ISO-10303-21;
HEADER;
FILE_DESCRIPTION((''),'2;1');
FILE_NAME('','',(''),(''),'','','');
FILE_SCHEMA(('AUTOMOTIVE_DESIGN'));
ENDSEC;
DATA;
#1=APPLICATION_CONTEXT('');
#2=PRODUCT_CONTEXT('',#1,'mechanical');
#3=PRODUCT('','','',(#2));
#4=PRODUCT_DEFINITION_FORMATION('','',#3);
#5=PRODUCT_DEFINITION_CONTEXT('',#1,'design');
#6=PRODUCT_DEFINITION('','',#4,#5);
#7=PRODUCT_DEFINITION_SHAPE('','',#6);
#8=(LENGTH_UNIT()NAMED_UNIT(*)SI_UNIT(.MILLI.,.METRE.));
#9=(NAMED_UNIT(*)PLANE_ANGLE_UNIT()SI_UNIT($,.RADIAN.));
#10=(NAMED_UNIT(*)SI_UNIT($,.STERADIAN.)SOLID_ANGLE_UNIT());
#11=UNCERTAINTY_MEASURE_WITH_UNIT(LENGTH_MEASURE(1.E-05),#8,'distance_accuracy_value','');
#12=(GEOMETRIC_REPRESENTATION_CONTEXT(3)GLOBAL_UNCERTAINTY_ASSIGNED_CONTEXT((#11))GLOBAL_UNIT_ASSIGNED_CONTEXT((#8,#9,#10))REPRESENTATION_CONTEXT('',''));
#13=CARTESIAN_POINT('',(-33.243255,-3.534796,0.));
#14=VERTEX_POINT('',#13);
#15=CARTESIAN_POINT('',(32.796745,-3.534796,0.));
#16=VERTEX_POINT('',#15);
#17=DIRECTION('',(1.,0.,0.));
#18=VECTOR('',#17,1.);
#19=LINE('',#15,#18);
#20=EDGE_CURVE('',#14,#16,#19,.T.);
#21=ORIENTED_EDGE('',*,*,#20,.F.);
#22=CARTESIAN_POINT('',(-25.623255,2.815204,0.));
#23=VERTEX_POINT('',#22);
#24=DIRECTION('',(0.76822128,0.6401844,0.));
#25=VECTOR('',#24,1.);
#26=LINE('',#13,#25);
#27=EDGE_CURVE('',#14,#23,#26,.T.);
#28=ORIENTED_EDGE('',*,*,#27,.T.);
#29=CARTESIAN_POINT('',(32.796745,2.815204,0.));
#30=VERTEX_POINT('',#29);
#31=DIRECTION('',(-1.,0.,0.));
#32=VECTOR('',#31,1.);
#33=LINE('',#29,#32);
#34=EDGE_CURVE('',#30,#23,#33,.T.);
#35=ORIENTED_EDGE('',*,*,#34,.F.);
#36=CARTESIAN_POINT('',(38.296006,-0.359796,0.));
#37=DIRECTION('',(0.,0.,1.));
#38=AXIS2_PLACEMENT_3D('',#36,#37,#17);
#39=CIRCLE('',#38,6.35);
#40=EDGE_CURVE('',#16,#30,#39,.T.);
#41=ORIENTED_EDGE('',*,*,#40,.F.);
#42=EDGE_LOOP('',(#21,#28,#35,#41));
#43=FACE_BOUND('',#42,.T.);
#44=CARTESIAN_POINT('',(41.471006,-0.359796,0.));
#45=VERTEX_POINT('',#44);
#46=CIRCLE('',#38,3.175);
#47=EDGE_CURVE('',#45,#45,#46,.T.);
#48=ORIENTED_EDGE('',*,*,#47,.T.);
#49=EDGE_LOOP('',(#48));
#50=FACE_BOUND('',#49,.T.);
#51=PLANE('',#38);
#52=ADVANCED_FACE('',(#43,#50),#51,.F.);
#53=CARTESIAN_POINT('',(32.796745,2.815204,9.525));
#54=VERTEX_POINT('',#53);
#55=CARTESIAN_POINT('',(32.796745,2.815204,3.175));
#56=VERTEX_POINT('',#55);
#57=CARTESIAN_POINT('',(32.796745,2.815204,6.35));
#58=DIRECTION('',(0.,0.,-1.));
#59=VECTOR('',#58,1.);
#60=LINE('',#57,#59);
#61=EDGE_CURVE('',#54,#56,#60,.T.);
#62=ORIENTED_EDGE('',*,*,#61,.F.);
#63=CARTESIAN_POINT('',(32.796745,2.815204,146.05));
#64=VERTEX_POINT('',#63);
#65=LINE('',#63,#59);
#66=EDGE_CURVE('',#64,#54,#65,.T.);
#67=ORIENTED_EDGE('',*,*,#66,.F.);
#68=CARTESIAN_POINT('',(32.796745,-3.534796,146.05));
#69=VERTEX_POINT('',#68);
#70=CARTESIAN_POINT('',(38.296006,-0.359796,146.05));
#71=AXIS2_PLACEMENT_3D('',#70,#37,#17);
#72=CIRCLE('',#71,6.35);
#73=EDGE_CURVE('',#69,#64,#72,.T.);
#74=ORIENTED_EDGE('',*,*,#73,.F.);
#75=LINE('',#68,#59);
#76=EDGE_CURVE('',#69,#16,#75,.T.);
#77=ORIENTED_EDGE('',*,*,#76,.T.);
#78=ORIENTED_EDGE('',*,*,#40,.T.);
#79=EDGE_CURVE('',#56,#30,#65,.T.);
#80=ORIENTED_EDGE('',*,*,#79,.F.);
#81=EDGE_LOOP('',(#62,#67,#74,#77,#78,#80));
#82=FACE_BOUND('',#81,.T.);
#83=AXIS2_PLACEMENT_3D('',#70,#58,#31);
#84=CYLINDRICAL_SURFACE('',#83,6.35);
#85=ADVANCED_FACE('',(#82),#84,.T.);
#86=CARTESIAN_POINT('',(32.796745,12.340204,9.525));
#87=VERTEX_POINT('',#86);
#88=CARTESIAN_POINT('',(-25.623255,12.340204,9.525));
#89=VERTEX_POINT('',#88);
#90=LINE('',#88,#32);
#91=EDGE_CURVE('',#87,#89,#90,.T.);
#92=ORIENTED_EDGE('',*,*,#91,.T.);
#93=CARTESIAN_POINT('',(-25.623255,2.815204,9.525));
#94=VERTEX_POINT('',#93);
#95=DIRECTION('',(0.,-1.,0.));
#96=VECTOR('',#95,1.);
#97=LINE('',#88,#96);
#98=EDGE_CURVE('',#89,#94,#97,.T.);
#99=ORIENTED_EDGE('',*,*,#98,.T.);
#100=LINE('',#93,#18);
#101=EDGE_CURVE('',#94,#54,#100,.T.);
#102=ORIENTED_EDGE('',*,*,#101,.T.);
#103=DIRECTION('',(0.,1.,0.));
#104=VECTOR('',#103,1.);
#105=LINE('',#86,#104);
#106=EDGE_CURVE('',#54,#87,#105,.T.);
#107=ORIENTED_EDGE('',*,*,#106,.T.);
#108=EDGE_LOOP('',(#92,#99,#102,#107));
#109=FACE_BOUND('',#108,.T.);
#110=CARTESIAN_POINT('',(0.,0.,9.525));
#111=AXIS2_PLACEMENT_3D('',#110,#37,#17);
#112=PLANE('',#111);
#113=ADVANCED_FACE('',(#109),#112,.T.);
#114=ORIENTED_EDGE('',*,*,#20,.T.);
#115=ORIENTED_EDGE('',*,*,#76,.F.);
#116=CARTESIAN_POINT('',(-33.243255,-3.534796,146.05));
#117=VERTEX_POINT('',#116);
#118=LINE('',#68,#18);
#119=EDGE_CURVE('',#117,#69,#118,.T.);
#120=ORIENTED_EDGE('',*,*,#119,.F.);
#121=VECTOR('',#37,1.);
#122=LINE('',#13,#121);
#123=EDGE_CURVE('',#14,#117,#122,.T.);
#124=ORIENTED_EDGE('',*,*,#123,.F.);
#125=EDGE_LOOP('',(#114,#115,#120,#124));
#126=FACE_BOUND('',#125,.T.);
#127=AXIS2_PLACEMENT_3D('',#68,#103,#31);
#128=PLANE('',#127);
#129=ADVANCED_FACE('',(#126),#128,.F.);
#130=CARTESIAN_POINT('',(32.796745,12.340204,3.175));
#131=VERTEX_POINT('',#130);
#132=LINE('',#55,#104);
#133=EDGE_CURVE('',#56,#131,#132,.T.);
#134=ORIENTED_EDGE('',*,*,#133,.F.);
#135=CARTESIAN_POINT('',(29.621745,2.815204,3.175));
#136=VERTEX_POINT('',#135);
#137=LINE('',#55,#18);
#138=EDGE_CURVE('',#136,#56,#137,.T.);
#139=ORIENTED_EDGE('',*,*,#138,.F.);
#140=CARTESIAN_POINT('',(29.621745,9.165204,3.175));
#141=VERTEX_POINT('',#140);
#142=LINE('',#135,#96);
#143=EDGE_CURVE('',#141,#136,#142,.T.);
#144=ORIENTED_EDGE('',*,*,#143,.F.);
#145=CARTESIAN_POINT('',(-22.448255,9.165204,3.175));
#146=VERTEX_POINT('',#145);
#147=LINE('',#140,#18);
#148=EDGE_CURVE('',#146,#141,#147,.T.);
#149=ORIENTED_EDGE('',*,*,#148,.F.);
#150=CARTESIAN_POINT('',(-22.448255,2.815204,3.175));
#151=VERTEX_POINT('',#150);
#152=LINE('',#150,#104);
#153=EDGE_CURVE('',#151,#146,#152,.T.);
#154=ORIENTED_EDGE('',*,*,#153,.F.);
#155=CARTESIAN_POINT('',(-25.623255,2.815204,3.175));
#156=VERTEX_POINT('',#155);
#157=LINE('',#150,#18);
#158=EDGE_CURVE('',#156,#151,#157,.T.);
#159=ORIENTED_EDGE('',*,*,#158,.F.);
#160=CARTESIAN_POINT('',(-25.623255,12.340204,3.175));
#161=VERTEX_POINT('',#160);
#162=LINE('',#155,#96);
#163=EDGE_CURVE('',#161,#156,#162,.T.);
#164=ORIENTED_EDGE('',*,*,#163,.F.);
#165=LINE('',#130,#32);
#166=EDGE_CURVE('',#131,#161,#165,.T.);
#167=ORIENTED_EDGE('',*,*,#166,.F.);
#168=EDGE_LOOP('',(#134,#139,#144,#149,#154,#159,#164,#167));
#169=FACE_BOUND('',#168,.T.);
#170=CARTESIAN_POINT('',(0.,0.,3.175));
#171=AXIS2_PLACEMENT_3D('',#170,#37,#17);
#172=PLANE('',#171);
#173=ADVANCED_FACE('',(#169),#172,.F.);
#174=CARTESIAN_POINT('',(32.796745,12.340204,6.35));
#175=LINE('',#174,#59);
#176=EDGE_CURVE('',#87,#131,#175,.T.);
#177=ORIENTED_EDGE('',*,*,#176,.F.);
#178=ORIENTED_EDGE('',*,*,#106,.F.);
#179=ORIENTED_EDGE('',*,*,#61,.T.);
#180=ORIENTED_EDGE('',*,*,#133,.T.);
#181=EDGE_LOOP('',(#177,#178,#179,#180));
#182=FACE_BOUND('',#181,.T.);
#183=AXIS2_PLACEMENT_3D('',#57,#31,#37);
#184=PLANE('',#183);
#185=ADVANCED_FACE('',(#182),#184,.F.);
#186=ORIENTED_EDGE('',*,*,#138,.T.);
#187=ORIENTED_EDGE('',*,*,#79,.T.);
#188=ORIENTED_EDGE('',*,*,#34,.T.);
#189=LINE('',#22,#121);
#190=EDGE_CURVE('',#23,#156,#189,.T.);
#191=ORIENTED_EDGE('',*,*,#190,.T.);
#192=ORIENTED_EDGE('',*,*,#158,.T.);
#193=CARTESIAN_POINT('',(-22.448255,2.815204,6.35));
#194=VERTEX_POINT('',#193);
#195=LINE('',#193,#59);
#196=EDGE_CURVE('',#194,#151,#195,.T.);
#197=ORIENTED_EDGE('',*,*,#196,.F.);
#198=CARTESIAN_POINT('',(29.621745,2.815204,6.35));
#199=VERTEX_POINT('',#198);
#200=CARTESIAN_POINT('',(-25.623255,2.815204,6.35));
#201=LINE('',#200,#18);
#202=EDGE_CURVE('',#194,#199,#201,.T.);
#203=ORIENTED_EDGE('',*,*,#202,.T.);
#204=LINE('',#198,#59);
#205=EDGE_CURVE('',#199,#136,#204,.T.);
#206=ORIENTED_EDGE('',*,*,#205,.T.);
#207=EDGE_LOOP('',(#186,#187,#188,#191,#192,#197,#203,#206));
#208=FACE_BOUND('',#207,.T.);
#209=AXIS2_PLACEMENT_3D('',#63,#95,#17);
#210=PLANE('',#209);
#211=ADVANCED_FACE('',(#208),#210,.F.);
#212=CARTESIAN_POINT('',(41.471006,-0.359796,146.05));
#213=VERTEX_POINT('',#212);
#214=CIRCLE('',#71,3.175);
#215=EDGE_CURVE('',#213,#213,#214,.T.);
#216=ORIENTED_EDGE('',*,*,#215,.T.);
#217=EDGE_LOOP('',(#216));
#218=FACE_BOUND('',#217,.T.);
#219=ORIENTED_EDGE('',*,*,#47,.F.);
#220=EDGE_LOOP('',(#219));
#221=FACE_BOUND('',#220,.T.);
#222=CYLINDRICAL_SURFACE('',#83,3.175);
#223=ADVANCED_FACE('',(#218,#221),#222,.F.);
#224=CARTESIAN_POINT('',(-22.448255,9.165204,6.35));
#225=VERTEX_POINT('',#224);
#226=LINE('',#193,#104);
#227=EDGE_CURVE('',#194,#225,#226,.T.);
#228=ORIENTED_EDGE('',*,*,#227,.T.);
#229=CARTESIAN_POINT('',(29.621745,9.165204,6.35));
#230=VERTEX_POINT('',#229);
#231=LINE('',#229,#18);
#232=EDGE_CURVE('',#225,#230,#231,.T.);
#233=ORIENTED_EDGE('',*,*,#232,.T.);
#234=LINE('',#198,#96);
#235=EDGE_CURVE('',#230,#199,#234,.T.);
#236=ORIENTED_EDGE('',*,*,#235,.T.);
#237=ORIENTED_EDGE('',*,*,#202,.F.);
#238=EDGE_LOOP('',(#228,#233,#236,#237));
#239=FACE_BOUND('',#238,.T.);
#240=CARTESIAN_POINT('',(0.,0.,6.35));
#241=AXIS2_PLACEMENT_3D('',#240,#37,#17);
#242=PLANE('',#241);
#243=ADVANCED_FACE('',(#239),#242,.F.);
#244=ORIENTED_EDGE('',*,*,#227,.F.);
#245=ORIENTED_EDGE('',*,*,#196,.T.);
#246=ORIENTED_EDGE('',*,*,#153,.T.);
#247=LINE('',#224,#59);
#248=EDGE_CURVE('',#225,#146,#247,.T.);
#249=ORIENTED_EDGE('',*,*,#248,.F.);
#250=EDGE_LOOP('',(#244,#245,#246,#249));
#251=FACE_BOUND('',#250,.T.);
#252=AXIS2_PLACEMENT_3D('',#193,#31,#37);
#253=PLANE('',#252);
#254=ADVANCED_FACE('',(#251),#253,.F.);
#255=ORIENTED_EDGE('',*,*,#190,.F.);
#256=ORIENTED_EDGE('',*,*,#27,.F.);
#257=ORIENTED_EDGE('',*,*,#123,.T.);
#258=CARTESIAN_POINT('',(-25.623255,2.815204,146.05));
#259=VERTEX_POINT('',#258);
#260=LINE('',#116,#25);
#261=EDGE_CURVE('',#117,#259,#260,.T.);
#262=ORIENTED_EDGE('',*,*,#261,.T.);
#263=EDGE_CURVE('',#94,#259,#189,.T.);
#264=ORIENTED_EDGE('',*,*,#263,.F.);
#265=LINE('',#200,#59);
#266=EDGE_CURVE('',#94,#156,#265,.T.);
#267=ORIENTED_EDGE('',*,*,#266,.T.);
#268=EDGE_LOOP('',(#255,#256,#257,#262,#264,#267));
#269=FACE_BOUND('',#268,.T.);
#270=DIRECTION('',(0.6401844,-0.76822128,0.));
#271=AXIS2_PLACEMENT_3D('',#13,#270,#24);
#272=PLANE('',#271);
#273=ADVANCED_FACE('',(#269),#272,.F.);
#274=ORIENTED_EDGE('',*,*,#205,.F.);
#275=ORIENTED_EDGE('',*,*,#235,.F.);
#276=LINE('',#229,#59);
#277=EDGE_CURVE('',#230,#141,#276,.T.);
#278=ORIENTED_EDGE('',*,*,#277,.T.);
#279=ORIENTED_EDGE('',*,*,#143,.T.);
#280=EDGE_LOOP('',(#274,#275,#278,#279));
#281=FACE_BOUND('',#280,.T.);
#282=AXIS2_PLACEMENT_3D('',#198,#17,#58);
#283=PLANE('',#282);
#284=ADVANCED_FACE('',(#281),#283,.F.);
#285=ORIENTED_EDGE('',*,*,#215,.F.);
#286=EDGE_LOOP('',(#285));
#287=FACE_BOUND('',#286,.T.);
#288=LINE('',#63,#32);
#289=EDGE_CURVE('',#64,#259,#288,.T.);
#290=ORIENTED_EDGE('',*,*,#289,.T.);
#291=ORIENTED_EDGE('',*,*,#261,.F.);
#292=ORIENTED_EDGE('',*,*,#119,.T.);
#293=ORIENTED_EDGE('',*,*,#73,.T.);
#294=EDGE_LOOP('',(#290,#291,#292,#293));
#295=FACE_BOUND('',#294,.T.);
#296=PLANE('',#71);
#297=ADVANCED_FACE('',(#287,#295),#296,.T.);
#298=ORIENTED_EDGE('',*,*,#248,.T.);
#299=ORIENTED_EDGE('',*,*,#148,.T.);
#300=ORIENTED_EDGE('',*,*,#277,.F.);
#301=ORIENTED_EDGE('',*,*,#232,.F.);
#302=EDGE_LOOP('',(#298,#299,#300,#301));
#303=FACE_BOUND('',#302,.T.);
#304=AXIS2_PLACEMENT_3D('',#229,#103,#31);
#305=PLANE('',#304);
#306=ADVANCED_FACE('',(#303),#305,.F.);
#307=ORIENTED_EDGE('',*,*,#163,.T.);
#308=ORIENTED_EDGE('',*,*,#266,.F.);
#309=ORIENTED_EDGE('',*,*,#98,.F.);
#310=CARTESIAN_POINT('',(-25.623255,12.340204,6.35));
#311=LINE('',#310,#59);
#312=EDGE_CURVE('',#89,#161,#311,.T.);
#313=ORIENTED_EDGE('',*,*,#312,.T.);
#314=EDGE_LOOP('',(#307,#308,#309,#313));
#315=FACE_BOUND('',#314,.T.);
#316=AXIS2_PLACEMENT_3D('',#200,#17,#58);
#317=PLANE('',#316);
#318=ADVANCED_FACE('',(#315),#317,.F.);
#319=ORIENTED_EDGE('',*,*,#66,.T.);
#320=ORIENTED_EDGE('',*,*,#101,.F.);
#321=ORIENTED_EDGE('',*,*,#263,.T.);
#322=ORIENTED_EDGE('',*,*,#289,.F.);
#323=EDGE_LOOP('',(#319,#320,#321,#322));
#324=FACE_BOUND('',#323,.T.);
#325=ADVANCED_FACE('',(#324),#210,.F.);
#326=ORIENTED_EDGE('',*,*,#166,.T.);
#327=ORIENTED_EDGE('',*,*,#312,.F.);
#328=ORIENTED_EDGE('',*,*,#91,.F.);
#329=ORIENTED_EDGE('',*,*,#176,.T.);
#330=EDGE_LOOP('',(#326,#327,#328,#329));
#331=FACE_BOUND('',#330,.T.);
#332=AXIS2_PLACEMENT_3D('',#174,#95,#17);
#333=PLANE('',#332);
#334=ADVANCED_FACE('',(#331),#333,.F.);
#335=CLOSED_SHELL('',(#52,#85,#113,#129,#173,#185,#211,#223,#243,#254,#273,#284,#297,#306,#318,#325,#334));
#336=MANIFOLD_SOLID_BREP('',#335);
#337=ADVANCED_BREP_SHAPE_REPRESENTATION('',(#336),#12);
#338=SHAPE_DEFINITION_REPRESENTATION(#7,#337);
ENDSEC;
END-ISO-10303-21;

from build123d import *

# Parameters (mm, degrees)
SKETCH1_R           = 3.175
BOSS_EXTRUDE1_DEPTH = 146.05
BOSS_EXTRUDE2_DEPTH = 3.175
SKETCH3_W           = 58.42
SKETCH3_H           = 9.525
BOSS_EXTRUDE3_DEPTH = 3.175
BOSS_EXTRUDE4_DEPTH = 146.05
CUT_EXTRUDE1_DEPTH  = 146.05


with BuildPart() as part:
    # Sketch1 → Boss-Extrude1 (new body)
    with BuildSketch(Plane.XY):
        with BuildLine():
            Line((-33.243254954, 2.815203929), (-25.623254954, -3.534796071))
            Line((-25.623254954, -3.534796071), (32.796745046, -3.534796071))
            ThreePointArc((32.796745046, -3.534796071), (44.64600636, -0.359796071), (32.796745046, 2.815203929))
            Line((32.796745046, 2.815203929), (-33.243254954, 2.815203929))
        make_face()
        with Locations((38.29600636, -0.359796071)):
            Circle(SKETCH1_R, mode=Mode.SUBTRACT)
    extrude(amount=BOSS_EXTRUDE1_DEPTH)

    # Sketch2 → Boss-Extrude2 (add)
    with BuildSketch(Plane.XY.offset(3.175)):
        Polygon((-22.448254954, 2.815203929), (-25.623254954, 2.815203929), (-25.623254954, 12.340203929), (32.796745046, 12.340203929), (32.796745046, 2.815203929), (29.621745046, 2.815203929), (29.621745046, 9.165203929), (-22.448254954, 9.165203929), align=None)
    extrude(amount=BOSS_EXTRUDE2_DEPTH)

    # Sketch3 → Boss-Extrude3 (add)
    with BuildSketch(Plane.XY.offset(6.35)):
        with Locations((3.586745046, 7.577703929)):
            Rectangle(SKETCH3_W, SKETCH3_H)
    extrude(amount=BOSS_EXTRUDE3_DEPTH)

    # Sketch4 → Boss-Extrude4 (add)
    with BuildSketch(Plane.XY.offset(146.05)):
        Polygon((-33.243254954, 2.815203929), (-33.243254954, -3.534796071), (-25.623254954, -3.534796071), align=None)
    extrude(amount=-BOSS_EXTRUDE4_DEPTH)

    # Sketch5 → Cut-Extrude1 (cut)
    with BuildSketch(Plane.XY.offset(146.05)):
        Polygon((-33.243254954, -3.534796071), (-25.623254954, 2.815203929), (-33.243254954, 2.815203929), align=None)
    extrude(amount=-CUT_EXTRUDE1_DEPTH, mode=Mode.SUBTRACT)


solid = part.part
